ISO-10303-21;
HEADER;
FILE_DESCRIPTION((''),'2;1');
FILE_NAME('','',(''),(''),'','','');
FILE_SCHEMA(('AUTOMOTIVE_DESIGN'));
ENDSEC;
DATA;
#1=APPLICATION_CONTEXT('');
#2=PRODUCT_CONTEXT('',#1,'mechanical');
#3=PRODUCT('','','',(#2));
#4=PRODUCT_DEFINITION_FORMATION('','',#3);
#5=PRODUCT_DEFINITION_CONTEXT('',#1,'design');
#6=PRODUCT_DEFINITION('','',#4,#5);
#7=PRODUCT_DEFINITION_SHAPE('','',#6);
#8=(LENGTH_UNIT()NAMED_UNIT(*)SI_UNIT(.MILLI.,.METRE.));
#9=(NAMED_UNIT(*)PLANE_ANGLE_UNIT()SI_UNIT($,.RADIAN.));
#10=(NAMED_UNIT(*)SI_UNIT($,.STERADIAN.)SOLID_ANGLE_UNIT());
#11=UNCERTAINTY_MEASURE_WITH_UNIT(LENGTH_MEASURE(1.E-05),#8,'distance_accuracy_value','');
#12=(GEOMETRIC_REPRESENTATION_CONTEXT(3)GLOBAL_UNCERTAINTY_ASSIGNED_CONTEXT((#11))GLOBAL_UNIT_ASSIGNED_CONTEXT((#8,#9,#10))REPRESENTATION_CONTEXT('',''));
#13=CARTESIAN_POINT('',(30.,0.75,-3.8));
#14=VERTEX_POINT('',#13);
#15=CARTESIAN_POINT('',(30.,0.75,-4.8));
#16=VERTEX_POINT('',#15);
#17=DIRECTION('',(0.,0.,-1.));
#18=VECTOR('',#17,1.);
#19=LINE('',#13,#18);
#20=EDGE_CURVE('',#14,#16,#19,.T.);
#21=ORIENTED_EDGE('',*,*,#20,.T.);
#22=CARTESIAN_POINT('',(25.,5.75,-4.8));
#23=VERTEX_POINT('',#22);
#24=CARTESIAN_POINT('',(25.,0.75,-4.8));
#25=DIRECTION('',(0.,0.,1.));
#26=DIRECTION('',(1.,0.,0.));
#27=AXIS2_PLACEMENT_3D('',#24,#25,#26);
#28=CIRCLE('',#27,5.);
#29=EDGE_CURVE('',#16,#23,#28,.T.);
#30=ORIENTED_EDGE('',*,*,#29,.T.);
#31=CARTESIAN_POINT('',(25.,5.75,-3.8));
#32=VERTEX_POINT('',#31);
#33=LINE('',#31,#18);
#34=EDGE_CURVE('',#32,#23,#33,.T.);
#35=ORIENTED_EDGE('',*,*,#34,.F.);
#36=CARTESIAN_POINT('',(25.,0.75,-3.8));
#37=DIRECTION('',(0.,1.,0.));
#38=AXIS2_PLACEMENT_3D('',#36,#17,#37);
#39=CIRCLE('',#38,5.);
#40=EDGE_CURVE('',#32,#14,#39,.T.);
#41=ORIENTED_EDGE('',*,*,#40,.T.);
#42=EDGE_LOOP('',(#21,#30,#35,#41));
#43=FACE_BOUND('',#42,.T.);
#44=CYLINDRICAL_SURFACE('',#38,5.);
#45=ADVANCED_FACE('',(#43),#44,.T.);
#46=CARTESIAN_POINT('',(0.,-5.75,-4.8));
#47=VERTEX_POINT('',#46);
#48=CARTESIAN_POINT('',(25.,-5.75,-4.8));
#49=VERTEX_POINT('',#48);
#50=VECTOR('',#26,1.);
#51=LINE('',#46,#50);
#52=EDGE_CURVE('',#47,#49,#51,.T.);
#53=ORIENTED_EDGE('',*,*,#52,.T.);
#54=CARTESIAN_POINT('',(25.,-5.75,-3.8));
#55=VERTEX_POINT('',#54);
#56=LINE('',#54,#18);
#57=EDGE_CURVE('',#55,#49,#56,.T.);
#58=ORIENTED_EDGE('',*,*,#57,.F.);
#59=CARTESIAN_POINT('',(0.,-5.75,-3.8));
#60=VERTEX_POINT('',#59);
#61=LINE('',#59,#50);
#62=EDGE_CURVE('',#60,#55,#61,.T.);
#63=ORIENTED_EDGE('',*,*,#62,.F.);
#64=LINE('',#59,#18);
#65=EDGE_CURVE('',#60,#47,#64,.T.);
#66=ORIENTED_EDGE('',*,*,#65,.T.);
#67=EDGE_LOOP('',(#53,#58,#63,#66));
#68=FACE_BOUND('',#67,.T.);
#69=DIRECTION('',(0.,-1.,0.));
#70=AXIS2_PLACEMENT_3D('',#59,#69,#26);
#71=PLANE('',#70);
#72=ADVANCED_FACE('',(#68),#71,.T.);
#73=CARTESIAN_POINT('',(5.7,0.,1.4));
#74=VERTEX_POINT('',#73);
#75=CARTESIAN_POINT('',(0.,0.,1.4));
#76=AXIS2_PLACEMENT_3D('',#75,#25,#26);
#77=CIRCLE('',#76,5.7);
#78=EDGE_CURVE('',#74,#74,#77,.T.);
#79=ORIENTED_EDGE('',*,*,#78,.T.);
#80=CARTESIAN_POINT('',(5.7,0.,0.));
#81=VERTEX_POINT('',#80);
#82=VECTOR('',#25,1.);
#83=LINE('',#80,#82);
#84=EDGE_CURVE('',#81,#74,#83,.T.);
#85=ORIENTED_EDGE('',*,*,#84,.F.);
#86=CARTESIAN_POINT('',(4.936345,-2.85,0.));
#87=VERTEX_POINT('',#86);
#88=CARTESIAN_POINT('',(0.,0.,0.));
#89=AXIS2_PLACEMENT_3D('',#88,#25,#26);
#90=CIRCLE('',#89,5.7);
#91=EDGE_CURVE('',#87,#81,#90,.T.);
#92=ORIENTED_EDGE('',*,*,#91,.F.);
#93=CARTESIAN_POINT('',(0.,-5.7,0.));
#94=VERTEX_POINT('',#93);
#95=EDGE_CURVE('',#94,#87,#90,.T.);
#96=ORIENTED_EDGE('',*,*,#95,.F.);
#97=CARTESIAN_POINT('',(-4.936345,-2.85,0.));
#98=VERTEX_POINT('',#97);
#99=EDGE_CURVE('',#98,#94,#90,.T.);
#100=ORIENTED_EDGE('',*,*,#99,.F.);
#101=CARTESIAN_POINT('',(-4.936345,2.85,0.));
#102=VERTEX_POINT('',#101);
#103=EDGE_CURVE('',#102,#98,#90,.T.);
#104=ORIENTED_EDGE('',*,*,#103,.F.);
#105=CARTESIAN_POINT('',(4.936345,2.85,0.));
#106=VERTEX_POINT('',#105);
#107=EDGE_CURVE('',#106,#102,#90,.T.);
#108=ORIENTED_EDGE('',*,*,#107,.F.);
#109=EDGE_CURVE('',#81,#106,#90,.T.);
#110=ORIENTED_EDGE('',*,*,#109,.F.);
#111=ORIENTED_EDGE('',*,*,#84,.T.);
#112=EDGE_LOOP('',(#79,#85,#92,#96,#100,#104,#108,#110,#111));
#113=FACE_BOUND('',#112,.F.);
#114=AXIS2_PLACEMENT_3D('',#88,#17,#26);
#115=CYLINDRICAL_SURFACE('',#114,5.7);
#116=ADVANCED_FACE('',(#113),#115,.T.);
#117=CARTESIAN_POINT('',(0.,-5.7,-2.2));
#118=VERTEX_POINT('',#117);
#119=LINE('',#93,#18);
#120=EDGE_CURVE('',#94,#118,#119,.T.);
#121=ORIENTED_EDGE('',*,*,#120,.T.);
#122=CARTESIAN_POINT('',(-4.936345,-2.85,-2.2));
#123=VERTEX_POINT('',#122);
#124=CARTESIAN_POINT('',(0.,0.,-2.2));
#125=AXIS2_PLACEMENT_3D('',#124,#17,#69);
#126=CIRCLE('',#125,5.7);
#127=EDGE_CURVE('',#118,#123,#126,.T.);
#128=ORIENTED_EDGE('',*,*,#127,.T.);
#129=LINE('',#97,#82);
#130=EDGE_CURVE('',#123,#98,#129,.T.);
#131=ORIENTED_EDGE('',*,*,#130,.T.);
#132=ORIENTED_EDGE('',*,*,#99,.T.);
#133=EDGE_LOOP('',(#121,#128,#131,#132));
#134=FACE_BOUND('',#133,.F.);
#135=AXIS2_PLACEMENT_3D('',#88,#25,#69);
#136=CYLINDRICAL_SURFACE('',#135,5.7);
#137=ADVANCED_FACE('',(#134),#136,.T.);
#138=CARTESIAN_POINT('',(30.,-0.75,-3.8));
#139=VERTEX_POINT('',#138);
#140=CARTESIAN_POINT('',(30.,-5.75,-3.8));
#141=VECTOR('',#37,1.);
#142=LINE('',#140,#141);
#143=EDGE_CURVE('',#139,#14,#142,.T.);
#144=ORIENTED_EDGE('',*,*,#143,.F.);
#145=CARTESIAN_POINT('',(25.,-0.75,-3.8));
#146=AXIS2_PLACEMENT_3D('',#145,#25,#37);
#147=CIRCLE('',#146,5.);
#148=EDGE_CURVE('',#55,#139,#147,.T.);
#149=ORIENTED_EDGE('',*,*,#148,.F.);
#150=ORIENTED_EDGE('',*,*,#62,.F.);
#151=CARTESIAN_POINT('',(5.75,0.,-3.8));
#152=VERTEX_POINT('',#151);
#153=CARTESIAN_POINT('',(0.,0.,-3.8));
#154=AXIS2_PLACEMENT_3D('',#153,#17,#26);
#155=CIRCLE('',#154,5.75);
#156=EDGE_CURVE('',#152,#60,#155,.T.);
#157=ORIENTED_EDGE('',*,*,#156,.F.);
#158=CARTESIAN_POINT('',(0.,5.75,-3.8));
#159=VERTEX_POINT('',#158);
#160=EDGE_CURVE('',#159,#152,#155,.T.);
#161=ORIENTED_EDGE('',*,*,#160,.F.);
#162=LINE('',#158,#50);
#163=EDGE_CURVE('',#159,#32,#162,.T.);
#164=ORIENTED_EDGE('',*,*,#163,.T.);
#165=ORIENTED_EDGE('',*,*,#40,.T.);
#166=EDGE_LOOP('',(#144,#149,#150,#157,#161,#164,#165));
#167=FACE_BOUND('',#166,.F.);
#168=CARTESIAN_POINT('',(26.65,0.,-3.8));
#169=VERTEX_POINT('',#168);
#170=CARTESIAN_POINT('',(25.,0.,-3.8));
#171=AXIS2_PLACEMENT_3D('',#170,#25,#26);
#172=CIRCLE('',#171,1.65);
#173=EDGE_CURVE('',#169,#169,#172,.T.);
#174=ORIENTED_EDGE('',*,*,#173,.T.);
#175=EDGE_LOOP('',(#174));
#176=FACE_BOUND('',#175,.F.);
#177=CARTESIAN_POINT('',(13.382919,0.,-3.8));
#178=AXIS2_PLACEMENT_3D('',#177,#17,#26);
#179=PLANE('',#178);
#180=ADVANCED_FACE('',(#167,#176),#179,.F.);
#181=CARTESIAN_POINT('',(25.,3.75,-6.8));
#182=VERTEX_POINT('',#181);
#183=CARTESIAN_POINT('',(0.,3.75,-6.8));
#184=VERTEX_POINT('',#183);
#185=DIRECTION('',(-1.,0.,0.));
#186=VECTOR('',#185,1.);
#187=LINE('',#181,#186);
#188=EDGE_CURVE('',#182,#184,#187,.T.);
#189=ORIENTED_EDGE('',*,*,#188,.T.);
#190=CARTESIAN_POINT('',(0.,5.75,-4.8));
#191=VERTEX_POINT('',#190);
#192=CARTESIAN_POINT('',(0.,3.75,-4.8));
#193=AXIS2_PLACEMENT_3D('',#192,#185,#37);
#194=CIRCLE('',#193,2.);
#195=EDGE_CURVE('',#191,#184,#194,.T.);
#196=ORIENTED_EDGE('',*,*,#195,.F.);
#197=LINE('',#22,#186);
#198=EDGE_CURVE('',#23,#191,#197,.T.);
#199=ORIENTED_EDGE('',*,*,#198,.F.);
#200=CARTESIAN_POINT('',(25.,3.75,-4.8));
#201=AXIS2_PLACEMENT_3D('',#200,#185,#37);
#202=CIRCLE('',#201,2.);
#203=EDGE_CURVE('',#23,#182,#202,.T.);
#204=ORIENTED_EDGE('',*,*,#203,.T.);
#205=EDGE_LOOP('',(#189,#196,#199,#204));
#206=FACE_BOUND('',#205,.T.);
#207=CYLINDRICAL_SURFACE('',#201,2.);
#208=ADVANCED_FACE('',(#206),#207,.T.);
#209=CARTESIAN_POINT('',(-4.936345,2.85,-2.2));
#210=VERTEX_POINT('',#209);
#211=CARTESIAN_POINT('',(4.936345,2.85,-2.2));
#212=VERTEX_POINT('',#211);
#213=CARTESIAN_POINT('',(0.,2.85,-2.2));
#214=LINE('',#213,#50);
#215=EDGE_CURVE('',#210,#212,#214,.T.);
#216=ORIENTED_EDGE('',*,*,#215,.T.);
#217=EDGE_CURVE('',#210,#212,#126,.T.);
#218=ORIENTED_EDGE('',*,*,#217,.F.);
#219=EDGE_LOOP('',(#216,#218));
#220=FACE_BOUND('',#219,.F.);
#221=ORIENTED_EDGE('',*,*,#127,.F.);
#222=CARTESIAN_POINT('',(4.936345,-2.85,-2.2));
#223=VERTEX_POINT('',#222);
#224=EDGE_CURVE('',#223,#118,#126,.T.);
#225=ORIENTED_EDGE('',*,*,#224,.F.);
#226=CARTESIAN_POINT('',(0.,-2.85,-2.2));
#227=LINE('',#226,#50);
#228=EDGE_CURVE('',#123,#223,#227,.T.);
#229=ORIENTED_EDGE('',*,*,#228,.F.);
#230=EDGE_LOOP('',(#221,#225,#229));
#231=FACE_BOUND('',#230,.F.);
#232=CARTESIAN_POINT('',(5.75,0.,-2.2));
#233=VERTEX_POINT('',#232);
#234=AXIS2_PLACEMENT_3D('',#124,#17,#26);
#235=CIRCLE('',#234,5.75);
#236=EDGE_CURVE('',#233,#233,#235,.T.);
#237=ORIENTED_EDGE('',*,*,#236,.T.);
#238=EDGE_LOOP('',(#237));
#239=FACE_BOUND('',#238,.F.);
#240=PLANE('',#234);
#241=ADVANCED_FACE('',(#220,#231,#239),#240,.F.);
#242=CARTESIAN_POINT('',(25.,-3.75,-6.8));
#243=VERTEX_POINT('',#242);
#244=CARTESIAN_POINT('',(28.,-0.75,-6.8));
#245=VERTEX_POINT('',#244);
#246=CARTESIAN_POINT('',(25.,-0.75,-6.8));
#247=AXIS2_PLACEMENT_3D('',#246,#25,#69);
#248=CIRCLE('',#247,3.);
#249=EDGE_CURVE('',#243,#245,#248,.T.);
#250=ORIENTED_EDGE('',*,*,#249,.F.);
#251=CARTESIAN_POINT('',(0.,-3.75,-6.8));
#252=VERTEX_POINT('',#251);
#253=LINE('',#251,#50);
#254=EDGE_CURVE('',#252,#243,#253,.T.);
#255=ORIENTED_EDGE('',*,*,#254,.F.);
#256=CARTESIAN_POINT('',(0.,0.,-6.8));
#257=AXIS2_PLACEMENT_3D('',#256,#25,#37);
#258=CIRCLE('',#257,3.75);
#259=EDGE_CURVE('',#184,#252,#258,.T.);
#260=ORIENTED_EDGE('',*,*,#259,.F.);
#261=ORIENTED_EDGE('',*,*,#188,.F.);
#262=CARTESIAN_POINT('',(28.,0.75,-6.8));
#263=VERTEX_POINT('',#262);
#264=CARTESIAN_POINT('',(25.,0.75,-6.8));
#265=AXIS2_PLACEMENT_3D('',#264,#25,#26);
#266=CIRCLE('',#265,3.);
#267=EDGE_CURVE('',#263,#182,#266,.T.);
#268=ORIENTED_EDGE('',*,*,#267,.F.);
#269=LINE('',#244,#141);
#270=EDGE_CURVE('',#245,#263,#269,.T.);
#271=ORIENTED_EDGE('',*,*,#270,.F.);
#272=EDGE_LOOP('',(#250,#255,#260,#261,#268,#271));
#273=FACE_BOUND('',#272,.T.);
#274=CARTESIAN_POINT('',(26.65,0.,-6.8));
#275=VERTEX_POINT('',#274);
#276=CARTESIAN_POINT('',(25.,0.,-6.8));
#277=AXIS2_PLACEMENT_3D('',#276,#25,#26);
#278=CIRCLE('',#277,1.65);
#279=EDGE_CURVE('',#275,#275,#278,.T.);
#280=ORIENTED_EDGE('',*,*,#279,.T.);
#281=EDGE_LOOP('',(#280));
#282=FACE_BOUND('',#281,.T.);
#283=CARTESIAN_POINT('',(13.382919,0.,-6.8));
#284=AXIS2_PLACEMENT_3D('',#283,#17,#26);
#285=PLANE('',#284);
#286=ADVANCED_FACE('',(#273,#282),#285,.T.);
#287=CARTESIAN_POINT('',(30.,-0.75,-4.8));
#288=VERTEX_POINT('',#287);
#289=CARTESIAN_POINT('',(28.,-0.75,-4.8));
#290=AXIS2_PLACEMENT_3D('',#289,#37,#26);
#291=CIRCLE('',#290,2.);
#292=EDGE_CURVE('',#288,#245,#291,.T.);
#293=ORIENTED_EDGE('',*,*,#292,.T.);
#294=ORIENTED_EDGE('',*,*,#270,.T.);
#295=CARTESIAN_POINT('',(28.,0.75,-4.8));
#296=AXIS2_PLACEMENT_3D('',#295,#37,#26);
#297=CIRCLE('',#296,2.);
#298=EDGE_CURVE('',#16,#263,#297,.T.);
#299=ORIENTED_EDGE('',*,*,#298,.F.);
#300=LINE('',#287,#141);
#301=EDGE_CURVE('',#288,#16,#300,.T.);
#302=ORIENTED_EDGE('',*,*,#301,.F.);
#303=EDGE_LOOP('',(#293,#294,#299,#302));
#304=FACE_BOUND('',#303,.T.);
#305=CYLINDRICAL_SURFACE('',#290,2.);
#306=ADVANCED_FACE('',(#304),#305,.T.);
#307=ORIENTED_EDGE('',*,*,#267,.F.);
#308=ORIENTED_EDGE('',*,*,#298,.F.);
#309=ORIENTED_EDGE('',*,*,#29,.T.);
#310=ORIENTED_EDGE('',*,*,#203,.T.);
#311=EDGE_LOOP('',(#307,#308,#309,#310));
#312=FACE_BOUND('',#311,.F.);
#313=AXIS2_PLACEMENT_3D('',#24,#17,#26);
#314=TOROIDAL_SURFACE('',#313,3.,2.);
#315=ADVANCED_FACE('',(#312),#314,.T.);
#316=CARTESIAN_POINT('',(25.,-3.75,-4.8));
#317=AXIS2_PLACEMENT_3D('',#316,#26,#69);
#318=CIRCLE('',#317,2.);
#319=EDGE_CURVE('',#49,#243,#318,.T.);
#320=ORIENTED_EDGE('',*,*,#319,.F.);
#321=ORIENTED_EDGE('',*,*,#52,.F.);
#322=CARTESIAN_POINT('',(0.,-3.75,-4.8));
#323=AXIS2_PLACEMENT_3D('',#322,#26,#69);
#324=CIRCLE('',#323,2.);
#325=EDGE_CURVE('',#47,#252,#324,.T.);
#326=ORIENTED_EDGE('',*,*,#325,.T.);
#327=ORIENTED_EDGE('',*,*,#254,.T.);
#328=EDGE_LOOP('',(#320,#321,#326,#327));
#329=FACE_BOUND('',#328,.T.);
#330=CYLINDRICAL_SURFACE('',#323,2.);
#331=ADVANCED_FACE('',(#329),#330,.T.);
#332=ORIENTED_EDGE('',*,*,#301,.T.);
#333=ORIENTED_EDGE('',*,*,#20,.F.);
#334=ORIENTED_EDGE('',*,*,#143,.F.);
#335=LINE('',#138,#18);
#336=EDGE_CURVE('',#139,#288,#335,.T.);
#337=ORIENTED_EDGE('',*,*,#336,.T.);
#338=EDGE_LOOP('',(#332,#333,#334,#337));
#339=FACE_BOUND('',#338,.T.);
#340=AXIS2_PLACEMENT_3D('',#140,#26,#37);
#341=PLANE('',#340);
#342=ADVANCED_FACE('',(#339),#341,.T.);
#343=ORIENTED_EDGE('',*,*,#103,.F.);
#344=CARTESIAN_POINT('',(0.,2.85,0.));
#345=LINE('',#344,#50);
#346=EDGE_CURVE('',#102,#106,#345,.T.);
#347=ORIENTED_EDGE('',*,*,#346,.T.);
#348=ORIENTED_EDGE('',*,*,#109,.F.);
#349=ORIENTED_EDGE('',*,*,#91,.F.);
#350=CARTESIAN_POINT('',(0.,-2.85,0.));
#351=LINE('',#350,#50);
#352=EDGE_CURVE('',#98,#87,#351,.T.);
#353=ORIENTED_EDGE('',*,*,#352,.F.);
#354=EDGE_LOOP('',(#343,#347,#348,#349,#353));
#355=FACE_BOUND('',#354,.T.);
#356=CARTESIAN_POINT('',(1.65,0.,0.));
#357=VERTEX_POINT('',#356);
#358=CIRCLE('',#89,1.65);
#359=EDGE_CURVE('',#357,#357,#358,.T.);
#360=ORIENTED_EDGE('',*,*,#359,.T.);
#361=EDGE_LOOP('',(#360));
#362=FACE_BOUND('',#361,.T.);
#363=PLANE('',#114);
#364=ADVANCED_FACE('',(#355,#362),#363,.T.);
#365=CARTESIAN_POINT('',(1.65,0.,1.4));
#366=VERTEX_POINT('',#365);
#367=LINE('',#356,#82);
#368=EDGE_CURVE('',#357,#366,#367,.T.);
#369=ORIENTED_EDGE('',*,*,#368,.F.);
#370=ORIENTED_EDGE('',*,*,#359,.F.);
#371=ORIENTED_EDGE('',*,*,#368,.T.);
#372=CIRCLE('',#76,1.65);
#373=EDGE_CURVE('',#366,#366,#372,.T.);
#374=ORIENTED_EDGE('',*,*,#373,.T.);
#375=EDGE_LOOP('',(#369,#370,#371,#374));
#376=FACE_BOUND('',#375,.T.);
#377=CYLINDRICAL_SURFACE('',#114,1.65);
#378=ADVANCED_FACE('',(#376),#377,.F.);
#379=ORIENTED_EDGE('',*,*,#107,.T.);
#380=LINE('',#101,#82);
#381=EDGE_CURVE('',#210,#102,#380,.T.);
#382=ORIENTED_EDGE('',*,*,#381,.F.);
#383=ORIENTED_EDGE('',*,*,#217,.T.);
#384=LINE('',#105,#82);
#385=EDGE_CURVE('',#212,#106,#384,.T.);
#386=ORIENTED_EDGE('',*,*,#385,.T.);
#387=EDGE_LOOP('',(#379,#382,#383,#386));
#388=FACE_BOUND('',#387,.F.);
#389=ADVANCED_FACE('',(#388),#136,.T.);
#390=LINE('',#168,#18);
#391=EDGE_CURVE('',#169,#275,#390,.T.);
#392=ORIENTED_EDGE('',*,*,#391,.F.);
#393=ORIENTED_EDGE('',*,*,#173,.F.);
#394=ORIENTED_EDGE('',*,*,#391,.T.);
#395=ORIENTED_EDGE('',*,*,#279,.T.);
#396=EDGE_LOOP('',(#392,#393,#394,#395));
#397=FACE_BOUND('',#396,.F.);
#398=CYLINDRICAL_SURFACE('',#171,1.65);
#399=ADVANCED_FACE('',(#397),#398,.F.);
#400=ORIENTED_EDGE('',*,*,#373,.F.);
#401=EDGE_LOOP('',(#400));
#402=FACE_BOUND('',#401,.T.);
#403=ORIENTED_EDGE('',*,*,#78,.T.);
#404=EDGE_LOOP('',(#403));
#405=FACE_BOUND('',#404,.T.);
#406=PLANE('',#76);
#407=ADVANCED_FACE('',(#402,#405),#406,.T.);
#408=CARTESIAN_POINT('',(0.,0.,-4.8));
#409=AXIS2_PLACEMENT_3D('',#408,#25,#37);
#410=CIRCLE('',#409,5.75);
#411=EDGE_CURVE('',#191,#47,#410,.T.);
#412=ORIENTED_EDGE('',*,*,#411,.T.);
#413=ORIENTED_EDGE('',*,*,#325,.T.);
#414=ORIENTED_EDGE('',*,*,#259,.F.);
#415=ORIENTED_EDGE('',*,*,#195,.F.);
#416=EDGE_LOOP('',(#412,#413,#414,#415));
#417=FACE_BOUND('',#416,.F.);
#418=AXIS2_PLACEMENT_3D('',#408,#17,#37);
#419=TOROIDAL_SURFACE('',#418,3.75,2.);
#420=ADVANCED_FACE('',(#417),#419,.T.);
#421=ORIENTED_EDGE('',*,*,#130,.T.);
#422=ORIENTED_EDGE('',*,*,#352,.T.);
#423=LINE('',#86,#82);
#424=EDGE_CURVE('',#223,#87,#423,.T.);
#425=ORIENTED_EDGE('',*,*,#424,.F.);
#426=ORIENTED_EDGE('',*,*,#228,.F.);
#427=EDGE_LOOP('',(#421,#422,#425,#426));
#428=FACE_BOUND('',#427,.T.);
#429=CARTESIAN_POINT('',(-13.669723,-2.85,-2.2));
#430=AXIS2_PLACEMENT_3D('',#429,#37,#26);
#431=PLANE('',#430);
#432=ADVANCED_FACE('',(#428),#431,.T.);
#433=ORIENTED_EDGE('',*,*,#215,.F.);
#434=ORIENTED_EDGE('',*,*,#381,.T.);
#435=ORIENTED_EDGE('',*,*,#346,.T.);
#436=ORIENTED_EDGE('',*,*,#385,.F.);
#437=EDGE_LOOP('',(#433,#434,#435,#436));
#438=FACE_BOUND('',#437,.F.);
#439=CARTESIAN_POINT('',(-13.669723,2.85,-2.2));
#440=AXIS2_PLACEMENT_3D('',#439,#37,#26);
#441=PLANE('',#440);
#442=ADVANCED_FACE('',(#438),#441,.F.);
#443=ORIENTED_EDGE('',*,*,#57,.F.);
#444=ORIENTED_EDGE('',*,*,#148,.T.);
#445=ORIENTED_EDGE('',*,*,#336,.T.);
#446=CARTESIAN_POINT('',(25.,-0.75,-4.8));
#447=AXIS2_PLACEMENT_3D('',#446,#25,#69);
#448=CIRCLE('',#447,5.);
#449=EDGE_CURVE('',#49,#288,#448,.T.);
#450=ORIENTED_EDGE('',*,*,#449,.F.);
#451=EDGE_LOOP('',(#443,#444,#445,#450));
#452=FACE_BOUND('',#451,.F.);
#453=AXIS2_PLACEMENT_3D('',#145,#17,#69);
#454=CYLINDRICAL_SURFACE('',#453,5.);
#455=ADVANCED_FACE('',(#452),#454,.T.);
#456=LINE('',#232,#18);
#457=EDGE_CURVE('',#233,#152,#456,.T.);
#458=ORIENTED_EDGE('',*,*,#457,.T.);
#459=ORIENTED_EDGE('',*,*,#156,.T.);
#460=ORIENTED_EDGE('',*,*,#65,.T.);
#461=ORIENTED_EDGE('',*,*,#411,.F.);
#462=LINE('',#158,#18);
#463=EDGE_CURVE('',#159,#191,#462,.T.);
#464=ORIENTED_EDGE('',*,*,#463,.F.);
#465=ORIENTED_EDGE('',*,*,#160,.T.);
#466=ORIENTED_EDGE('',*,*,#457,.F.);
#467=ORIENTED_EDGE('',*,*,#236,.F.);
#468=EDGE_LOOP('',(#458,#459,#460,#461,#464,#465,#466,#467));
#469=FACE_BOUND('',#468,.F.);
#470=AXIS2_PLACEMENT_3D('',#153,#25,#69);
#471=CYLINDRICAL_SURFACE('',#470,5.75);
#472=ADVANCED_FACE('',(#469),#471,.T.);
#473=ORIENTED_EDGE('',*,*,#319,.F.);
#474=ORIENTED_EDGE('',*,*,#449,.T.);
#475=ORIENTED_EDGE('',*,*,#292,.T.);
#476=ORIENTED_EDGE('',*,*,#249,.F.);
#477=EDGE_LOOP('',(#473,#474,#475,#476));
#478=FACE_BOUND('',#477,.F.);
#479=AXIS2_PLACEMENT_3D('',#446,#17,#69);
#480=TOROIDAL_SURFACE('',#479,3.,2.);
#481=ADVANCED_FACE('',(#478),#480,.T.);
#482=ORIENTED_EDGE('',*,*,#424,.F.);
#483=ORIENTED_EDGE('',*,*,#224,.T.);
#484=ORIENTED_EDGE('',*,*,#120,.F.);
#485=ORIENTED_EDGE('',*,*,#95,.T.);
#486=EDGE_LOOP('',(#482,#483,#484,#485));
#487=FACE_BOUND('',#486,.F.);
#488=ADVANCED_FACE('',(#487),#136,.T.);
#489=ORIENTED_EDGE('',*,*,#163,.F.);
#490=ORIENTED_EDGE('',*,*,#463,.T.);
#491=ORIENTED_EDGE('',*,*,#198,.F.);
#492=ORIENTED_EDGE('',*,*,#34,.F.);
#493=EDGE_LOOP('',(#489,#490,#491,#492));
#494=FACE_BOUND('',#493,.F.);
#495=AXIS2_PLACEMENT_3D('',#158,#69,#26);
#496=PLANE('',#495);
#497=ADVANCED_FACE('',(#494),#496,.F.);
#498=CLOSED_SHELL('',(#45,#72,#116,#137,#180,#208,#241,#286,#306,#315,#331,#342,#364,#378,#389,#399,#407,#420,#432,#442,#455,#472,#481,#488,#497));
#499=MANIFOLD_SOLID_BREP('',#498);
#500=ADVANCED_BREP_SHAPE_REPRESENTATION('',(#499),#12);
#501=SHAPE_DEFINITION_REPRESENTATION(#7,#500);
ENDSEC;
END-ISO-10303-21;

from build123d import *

# Parameters (mm, degrees)
SKETCH121_R      = 5.7
SKETCH121_R_2    = 1.65
PAD123_DEPTH     = 1.4
PAD123_FACE3_R   = 5.7
PAD123_FACE3_R_2 = 1.65
PAD124_DEPTH     = 2.2
SKETCH122_W      = 27.339446
SKETCH122_H      = 5.7
POCKET083_DEPTH  = 2.2
SKETCH123_R      = 5.75
PAD125_DEPTH     = 1.6
PAD126_DEPTH     = 3
FILLET054_R      = 5
FILLET055_R      = 2
SKETCH125_R      = 1.65
POCKET084_DEPTH  = 5


with BuildPart() as part:
    # Sketch121 → Pad123 (new body)
    with BuildSketch(Plane.XY):
        Circle(SKETCH121_R)
        Circle(SKETCH121_R_2, mode=Mode.SUBTRACT)
    extrude(amount=PAD123_DEPTH)

    # Pad123 Face3 → Pad124 (add)
    with BuildSketch(Plane(origin=(0, 0, 0), x_dir=(0, -1, 0), z_dir=(0, 0, -1))):
        Circle(PAD123_FACE3_R)
        Circle(PAD123_FACE3_R_2, mode=Mode.SUBTRACT)
    extrude(amount=PAD124_DEPTH)

    # Sketch122 (on Face1 of Pad124) → Pocket083 (cut)
    with BuildSketch(Plane(origin=(0, 0, -2.2), x_dir=(1, 0, 0), z_dir=(0, 0, -1))):
        Rectangle(SKETCH122_W, SKETCH122_H)
    extrude(amount=-POCKET083_DEPTH, mode=Mode.SUBTRACT)

    # Sketch123 (on Face1 of Pocket083) → Pad125 (join)
    with BuildSketch(Plane(origin=(0, 0, -2.2), x_dir=(1, 0, 0), z_dir=(0, 0, -1))):
        Circle(SKETCH123_R)
    extrude(amount=PAD125_DEPTH)

    # Sketch124 (on Face3 of Pad125) → Pad126 (join)
    with BuildSketch(Plane(origin=(0, 0, -3.8), x_dir=(1, 0, 0), z_dir=(0, 0, -1))):
        with BuildLine():
            ThreePointArc((0, 5.75), (-5.75, 0), (0, -5.75))
            Line((0, -5.75), (30, -5.75))
            Line((30, 5.75), (30, -5.75))
            Line((0, 5.75), (30, 5.75))
        make_face()
    extrude(amount=PAD126_DEPTH)

    # Fillet054
    fillet054_edges = [part.edges().sort_by_distance(p)[0] for p in [
        (30, -5.75, -5.3),
        (30, 5.75, -5.3),
    ]]
    fillet(fillet054_edges, radius=FILLET054_R)

    # Fillet055
    fillet055_edges = [part.edges().sort_by_distance(p)[0] for p in [
        (28.535534, -4.285534, -6.8),
    ]]
    fillet(fillet055_edges, radius=FILLET055_R)

    # Sketch125 (on Face4 of Fillet055) → Pocket084 (cut)
    with BuildSketch(Plane.XY.offset(-3.8)):
        with Locations((25, 0)):
            Circle(SKETCH125_R)
    extrude(amount=-POCKET084_DEPTH, mode=Mode.SUBTRACT)


solid = part.part
